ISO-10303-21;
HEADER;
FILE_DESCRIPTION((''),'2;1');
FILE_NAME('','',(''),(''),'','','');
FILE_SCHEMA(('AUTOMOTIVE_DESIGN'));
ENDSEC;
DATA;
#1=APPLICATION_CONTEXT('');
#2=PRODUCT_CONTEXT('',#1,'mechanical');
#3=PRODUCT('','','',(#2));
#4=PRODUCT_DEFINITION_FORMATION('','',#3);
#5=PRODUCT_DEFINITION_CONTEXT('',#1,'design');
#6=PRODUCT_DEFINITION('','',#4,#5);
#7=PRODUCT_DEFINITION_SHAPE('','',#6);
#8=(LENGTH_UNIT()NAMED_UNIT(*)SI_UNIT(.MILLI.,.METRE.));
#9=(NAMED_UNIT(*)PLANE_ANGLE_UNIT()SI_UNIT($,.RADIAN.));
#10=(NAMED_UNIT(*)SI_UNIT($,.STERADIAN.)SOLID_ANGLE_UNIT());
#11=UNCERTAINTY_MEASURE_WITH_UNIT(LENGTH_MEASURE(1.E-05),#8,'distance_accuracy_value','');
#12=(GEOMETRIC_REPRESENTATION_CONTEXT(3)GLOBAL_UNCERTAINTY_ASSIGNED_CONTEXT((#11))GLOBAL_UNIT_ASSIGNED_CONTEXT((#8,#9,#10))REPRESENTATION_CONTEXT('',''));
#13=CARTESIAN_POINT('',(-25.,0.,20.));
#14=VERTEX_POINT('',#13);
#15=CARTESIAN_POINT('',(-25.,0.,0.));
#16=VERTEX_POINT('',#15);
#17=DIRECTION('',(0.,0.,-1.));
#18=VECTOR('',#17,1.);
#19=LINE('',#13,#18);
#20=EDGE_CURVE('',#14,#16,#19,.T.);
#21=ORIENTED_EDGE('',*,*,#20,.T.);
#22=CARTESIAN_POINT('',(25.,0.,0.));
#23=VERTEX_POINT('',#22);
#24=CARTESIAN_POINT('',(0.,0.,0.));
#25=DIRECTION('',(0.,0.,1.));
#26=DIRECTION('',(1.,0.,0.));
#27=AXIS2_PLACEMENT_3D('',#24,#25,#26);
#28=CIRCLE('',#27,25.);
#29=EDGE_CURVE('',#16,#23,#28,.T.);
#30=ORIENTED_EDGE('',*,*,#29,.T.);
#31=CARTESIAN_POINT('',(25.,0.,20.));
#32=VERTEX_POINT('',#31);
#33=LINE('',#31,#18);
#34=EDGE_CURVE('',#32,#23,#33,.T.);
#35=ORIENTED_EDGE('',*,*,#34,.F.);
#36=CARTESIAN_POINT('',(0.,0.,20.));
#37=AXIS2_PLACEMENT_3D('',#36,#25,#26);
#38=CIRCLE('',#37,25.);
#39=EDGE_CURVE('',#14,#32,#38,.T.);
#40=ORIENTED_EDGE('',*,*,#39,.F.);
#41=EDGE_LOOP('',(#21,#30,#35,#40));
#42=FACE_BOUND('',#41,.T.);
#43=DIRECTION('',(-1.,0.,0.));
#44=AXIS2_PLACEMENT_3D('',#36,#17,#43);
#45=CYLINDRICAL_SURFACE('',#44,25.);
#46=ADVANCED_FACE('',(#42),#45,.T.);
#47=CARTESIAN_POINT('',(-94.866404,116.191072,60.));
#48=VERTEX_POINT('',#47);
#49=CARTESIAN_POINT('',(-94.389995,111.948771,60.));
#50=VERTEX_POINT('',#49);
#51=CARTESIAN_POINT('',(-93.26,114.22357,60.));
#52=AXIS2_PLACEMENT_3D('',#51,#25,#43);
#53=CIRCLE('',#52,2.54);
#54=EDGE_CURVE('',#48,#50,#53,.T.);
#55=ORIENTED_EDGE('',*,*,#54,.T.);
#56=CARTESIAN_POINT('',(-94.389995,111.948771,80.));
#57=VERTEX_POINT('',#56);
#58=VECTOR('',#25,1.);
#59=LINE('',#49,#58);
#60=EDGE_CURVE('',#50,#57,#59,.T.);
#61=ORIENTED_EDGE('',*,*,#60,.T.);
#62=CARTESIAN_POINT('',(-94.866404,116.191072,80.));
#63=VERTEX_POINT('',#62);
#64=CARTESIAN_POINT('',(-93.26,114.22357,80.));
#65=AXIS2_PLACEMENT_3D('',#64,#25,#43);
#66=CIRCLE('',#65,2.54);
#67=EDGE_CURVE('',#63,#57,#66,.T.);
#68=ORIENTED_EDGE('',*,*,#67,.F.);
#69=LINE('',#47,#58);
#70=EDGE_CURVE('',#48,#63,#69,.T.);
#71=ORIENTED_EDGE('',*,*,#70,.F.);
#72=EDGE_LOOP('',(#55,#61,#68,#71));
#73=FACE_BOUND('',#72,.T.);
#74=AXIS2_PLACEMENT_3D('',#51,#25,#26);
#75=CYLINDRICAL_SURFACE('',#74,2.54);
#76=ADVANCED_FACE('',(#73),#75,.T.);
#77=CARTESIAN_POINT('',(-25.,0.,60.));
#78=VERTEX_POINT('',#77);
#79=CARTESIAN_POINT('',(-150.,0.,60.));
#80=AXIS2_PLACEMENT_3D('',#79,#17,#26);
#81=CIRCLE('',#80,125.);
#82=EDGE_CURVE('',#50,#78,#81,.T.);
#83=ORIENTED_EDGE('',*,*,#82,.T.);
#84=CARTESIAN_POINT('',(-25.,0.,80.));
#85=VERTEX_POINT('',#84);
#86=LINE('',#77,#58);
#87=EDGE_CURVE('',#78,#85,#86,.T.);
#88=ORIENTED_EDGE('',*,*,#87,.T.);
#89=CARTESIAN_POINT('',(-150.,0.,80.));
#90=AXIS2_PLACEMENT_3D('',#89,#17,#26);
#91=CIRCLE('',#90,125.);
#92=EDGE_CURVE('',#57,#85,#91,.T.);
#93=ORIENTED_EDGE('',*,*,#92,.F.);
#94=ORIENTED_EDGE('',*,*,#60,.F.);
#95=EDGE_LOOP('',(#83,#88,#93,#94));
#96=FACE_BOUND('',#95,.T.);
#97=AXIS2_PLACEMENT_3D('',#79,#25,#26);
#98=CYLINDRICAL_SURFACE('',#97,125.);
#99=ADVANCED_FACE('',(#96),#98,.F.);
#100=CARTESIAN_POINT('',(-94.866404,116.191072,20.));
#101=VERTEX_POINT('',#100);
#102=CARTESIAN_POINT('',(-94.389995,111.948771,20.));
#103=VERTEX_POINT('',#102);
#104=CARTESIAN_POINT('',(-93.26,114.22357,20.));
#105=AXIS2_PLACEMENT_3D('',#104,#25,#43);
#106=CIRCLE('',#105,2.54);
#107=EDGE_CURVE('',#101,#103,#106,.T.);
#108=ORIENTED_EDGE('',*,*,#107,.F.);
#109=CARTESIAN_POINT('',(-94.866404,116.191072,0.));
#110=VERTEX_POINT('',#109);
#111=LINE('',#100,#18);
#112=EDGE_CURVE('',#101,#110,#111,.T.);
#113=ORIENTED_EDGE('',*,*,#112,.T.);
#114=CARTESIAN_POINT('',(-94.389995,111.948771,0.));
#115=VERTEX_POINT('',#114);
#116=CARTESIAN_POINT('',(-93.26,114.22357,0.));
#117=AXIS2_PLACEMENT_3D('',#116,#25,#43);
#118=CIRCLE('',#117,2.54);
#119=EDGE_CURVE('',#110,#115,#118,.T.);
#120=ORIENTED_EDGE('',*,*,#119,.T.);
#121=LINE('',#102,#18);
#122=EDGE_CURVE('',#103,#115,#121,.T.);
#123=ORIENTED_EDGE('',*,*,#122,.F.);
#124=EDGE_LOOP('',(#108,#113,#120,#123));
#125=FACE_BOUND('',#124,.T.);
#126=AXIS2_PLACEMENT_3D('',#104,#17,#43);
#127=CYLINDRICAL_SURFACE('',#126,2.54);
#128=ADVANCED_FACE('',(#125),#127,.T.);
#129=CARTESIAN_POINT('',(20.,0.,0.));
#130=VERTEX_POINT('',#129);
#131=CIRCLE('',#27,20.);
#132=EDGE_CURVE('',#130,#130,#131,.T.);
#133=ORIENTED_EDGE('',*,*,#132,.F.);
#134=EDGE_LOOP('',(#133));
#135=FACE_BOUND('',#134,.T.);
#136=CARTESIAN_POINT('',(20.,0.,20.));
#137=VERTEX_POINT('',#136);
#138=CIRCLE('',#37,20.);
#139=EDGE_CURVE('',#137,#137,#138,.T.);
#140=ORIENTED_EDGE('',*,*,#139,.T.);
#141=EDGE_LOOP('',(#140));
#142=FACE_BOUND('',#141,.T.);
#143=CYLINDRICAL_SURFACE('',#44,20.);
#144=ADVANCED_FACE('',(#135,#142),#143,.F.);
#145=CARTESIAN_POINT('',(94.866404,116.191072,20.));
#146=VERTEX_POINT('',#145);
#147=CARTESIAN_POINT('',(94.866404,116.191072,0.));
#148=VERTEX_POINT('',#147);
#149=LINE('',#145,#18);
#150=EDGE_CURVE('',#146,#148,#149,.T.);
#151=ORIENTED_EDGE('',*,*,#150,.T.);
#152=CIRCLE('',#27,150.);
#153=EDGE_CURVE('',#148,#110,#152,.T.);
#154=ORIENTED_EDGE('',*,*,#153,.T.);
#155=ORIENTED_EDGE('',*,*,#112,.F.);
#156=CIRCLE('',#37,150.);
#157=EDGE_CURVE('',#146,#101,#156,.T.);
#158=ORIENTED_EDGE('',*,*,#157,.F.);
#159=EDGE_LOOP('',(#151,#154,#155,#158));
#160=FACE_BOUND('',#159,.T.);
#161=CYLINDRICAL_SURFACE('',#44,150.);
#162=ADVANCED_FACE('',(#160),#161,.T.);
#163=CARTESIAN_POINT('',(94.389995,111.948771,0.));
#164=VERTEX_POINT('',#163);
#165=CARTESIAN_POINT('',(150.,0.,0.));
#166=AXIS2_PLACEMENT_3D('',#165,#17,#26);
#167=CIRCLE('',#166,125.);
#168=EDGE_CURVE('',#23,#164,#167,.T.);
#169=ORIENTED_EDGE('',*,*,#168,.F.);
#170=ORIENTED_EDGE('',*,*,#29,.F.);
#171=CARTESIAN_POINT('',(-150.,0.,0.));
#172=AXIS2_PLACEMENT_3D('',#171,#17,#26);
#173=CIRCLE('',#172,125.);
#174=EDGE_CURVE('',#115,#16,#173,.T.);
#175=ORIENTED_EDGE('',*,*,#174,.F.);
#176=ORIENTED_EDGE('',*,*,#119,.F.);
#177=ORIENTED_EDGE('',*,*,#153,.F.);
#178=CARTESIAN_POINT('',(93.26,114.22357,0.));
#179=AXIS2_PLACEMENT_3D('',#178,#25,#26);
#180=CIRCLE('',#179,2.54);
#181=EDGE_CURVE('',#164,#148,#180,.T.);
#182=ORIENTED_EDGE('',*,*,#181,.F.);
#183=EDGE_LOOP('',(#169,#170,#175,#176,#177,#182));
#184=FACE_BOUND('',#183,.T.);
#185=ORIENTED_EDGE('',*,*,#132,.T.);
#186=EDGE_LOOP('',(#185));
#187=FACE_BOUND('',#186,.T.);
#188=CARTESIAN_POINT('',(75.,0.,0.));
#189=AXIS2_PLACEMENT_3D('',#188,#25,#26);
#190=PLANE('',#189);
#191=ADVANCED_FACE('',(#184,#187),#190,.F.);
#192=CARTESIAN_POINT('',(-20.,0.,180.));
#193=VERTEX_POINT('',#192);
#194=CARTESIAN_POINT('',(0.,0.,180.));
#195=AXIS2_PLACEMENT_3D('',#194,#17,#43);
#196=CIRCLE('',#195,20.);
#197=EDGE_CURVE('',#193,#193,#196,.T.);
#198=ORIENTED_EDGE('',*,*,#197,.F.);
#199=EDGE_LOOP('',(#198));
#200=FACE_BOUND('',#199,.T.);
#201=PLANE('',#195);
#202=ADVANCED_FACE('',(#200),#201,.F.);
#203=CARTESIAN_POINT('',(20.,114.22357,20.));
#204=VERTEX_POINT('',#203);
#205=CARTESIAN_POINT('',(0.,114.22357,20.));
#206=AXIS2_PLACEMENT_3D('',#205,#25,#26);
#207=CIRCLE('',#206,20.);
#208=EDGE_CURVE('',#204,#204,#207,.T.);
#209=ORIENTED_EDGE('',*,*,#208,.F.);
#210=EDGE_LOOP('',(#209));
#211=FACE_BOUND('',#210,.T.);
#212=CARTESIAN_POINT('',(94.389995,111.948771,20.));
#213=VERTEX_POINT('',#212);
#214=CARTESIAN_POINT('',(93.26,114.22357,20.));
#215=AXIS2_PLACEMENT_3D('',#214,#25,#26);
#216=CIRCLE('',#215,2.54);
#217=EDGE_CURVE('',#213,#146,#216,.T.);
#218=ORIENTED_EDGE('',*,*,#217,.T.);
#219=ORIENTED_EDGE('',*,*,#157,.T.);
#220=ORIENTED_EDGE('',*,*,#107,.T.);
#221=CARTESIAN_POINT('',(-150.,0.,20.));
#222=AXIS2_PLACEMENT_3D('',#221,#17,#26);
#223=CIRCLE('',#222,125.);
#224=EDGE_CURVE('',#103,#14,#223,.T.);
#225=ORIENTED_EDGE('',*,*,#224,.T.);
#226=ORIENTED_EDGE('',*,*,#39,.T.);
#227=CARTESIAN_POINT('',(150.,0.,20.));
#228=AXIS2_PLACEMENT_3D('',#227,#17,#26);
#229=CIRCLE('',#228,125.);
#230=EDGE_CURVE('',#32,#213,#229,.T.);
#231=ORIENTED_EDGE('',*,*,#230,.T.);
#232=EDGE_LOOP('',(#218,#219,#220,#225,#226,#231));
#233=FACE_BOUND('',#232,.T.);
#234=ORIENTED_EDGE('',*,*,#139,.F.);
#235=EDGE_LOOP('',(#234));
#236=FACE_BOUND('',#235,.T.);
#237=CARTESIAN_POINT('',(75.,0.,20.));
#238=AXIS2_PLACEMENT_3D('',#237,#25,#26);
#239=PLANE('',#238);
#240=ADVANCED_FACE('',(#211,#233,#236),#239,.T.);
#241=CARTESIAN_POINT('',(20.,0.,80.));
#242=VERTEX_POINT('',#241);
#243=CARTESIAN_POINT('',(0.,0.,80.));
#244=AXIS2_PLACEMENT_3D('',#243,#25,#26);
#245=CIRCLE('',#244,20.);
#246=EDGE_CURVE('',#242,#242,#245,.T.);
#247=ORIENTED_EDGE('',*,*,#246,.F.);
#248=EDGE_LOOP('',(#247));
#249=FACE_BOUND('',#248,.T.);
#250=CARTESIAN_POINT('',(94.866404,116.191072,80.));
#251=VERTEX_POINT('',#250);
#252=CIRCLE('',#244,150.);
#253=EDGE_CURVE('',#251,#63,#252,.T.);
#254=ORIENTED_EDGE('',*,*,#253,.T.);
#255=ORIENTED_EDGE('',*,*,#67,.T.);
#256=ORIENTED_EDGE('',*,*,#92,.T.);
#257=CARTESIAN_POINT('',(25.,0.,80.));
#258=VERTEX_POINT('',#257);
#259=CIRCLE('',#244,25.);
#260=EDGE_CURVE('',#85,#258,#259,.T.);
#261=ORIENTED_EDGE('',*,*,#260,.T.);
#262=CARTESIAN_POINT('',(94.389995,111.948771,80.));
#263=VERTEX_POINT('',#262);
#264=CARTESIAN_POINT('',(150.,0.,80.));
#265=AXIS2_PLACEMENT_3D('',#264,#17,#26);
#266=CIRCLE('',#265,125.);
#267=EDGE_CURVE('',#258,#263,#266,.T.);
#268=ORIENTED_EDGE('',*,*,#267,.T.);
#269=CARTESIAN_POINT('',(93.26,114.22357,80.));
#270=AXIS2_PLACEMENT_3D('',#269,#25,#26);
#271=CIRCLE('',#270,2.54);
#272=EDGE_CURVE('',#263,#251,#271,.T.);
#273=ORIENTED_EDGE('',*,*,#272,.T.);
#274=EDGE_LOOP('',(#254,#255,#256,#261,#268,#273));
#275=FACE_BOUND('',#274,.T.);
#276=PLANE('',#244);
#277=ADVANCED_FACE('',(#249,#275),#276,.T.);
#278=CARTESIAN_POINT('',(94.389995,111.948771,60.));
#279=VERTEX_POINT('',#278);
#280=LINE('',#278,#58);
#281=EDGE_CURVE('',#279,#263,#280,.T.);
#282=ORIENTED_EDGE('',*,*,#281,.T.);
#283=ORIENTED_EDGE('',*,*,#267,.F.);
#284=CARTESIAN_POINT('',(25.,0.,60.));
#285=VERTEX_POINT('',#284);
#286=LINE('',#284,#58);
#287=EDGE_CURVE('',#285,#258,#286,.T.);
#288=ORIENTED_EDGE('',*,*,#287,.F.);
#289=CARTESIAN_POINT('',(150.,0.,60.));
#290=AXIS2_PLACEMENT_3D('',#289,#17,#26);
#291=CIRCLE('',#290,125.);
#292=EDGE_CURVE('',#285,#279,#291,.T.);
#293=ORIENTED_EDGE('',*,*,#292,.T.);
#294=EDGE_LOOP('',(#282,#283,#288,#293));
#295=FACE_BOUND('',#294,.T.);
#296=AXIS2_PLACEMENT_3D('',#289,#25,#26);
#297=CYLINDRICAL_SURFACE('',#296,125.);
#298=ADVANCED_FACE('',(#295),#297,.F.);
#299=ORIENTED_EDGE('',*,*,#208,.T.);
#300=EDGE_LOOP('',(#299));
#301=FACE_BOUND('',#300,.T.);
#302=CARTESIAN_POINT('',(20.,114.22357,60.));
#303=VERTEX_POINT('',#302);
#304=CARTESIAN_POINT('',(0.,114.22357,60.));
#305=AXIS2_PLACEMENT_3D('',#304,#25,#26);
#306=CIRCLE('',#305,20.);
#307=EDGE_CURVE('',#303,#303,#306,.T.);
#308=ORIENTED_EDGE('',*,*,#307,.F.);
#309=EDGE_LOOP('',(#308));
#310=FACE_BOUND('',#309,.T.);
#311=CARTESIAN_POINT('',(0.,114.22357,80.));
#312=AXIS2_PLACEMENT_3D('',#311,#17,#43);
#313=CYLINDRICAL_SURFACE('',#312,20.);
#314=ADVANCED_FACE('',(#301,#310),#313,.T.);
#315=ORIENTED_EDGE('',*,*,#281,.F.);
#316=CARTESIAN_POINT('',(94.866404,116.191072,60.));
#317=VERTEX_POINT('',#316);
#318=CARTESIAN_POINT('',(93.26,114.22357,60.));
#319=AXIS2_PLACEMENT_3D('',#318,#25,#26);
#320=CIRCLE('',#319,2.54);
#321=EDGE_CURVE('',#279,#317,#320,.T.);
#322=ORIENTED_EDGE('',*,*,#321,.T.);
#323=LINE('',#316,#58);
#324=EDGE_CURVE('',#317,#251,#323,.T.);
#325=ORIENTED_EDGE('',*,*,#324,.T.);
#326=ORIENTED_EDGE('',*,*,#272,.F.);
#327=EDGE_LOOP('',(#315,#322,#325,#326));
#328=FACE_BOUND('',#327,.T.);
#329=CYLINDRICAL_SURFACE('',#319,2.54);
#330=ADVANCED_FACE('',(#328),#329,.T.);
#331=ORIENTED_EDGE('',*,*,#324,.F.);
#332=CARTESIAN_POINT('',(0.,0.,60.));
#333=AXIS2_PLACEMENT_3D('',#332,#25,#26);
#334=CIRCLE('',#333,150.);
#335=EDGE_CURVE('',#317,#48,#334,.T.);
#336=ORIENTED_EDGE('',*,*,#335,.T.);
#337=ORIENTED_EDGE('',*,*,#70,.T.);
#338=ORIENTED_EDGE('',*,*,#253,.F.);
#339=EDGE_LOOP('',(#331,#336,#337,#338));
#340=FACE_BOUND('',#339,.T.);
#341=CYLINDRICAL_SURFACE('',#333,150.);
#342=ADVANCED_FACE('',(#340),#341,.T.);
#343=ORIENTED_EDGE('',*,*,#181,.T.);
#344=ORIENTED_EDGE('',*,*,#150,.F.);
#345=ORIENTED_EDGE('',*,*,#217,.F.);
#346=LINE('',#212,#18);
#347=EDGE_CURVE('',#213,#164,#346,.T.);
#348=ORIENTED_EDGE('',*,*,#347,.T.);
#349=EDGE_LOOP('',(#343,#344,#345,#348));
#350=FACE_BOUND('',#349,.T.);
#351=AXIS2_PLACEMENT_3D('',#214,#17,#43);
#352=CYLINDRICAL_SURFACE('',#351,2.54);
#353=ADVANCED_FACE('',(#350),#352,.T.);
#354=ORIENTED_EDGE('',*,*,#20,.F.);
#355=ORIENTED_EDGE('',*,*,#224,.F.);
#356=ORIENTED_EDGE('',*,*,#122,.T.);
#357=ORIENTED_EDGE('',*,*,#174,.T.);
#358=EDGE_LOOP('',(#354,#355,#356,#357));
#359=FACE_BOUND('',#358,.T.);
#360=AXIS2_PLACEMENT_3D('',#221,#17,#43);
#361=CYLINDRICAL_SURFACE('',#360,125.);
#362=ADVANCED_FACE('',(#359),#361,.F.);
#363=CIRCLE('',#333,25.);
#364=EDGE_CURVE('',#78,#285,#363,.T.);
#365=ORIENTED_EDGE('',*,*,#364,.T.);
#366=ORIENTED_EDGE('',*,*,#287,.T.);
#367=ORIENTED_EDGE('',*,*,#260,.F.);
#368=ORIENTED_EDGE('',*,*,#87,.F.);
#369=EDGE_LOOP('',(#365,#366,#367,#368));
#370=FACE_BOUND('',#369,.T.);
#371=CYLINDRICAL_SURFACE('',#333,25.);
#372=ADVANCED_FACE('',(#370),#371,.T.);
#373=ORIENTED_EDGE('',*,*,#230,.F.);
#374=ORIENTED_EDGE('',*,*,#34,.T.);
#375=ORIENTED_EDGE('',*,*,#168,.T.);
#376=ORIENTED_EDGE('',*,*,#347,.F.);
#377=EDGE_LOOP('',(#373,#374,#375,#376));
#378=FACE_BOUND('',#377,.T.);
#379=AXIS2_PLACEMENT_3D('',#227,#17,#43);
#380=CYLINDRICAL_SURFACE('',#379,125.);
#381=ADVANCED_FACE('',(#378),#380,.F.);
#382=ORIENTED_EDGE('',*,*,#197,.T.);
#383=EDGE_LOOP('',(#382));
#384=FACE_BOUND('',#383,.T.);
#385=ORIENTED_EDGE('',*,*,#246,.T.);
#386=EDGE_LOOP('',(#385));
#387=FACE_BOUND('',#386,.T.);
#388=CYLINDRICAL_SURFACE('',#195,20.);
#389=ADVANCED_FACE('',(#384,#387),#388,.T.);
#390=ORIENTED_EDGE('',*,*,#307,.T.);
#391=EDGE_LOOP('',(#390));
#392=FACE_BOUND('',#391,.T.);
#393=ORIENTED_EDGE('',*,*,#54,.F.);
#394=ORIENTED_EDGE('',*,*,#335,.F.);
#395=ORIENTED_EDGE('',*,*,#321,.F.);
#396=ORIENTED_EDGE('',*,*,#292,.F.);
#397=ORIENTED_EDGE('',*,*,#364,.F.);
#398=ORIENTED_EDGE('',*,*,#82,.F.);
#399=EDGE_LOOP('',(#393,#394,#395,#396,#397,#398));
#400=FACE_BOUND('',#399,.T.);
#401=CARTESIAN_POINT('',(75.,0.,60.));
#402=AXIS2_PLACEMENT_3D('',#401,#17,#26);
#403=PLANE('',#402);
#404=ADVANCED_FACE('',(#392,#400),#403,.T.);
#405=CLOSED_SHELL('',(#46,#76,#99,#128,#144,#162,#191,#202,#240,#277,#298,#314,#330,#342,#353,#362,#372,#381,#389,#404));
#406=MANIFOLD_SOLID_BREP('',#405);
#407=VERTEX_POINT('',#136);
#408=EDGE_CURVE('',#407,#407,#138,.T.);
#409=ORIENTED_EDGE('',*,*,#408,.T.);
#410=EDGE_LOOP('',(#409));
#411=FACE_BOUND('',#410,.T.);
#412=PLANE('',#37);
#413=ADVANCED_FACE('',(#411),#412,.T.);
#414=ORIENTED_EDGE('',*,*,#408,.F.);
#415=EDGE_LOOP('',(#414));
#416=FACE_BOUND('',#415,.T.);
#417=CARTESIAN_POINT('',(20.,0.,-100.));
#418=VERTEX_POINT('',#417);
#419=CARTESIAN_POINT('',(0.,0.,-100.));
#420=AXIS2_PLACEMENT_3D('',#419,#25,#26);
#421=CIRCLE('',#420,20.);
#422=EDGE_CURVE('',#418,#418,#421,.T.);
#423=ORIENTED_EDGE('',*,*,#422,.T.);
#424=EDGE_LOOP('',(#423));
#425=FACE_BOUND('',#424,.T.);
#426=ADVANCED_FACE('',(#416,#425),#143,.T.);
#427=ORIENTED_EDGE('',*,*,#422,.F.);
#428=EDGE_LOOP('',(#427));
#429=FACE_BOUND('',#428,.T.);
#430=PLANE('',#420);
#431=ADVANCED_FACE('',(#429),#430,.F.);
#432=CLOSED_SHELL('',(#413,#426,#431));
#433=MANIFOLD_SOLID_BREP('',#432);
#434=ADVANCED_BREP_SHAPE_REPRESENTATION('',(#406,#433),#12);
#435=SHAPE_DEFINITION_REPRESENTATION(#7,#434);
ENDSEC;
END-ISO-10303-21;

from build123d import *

# Parameters (mm, degrees)
SKETCH1_R                = 20
BOSS_EXTRUDE1_DEPTH      = 20
SKETCH1_5_R              = 20
BOSS_EXTRUDE5_DEPTH      = 80
BOSS_EXTRUDE6_DEPTH      = 20
BOSS_EXTRUDE6_DEPTH_BACK = 100
SKETCH1_7_R              = 20
SKETCH2_R                = 20
BOSS_EXTRUDE7_DEPTH      = 120


with BuildPart() as part:
    # Sketch1 → Boss-Extrude1 (new body)
    with BuildSketch(Plane.XY):
        with BuildLine():
            ThreePointArc((94.866404449, 116.191072407), (0, 150), (-94.866404449, 116.191072407))
            ThreePointArc((-94.866404449, 116.191072407), (-95.784133661, 113.940110793), (-94.389995296, 111.948771216))
            ThreePointArc((-94.389995296, 111.948771216), (-43.754410473, 65.854952023), (-25, 0))
            ThreePointArc((-25, 0), (0, -25), (25, 0))
            ThreePointArc((25, 0), (43.754410473, 65.854952023), (94.389995296, 111.948771216))
            ThreePointArc((94.389995296, 111.948771216), (95.784133661, 113.940110793), (94.866404449, 116.191072407))
        make_face()
        Circle(SKETCH1_R, mode=Mode.SUBTRACT)
        with Locations((0, 114.223570247)):
            Circle(SKETCH1_R, mode=Mode.SUBTRACT)
    boss_extrude1 = extrude(amount=BOSS_EXTRUDE1_DEPTH)

    # Sketch1<5> → Boss-Extrude5 (add)
    with BuildSketch(Plane.XY):
        with Locations((0, 114.223570247)):
            Circle(SKETCH1_5_R)
    extrude(amount=BOSS_EXTRUDE5_DEPTH)

    # Mirror4: Boss-Extrude1 across plane
    add(boss_extrude1.mirror(Plane.XY.offset(40)))

    # Sketch2 → Boss-Extrude7 (add)
    with BuildSketch(Plane(origin=(0, 0, 60), x_dir=(-1, 0, 0), z_dir=(0, 0, -1))):
        Circle(SKETCH2_R)
    extrude(amount=-BOSS_EXTRUDE7_DEPTH)


with BuildPart() as body_2:
    # Sketch1<7> → Boss-Extrude6 (new, two sides: drawn at the far end of the back side and taken through both)
    with BuildSketch(Plane.XY.offset(-BOSS_EXTRUDE6_DEPTH_BACK)):
        Circle(SKETCH1_7_R)
    extrude(amount=BOSS_EXTRUDE6_DEPTH + BOSS_EXTRUDE6_DEPTH_BACK)


solid = Compound([part.part, body_2.part])
